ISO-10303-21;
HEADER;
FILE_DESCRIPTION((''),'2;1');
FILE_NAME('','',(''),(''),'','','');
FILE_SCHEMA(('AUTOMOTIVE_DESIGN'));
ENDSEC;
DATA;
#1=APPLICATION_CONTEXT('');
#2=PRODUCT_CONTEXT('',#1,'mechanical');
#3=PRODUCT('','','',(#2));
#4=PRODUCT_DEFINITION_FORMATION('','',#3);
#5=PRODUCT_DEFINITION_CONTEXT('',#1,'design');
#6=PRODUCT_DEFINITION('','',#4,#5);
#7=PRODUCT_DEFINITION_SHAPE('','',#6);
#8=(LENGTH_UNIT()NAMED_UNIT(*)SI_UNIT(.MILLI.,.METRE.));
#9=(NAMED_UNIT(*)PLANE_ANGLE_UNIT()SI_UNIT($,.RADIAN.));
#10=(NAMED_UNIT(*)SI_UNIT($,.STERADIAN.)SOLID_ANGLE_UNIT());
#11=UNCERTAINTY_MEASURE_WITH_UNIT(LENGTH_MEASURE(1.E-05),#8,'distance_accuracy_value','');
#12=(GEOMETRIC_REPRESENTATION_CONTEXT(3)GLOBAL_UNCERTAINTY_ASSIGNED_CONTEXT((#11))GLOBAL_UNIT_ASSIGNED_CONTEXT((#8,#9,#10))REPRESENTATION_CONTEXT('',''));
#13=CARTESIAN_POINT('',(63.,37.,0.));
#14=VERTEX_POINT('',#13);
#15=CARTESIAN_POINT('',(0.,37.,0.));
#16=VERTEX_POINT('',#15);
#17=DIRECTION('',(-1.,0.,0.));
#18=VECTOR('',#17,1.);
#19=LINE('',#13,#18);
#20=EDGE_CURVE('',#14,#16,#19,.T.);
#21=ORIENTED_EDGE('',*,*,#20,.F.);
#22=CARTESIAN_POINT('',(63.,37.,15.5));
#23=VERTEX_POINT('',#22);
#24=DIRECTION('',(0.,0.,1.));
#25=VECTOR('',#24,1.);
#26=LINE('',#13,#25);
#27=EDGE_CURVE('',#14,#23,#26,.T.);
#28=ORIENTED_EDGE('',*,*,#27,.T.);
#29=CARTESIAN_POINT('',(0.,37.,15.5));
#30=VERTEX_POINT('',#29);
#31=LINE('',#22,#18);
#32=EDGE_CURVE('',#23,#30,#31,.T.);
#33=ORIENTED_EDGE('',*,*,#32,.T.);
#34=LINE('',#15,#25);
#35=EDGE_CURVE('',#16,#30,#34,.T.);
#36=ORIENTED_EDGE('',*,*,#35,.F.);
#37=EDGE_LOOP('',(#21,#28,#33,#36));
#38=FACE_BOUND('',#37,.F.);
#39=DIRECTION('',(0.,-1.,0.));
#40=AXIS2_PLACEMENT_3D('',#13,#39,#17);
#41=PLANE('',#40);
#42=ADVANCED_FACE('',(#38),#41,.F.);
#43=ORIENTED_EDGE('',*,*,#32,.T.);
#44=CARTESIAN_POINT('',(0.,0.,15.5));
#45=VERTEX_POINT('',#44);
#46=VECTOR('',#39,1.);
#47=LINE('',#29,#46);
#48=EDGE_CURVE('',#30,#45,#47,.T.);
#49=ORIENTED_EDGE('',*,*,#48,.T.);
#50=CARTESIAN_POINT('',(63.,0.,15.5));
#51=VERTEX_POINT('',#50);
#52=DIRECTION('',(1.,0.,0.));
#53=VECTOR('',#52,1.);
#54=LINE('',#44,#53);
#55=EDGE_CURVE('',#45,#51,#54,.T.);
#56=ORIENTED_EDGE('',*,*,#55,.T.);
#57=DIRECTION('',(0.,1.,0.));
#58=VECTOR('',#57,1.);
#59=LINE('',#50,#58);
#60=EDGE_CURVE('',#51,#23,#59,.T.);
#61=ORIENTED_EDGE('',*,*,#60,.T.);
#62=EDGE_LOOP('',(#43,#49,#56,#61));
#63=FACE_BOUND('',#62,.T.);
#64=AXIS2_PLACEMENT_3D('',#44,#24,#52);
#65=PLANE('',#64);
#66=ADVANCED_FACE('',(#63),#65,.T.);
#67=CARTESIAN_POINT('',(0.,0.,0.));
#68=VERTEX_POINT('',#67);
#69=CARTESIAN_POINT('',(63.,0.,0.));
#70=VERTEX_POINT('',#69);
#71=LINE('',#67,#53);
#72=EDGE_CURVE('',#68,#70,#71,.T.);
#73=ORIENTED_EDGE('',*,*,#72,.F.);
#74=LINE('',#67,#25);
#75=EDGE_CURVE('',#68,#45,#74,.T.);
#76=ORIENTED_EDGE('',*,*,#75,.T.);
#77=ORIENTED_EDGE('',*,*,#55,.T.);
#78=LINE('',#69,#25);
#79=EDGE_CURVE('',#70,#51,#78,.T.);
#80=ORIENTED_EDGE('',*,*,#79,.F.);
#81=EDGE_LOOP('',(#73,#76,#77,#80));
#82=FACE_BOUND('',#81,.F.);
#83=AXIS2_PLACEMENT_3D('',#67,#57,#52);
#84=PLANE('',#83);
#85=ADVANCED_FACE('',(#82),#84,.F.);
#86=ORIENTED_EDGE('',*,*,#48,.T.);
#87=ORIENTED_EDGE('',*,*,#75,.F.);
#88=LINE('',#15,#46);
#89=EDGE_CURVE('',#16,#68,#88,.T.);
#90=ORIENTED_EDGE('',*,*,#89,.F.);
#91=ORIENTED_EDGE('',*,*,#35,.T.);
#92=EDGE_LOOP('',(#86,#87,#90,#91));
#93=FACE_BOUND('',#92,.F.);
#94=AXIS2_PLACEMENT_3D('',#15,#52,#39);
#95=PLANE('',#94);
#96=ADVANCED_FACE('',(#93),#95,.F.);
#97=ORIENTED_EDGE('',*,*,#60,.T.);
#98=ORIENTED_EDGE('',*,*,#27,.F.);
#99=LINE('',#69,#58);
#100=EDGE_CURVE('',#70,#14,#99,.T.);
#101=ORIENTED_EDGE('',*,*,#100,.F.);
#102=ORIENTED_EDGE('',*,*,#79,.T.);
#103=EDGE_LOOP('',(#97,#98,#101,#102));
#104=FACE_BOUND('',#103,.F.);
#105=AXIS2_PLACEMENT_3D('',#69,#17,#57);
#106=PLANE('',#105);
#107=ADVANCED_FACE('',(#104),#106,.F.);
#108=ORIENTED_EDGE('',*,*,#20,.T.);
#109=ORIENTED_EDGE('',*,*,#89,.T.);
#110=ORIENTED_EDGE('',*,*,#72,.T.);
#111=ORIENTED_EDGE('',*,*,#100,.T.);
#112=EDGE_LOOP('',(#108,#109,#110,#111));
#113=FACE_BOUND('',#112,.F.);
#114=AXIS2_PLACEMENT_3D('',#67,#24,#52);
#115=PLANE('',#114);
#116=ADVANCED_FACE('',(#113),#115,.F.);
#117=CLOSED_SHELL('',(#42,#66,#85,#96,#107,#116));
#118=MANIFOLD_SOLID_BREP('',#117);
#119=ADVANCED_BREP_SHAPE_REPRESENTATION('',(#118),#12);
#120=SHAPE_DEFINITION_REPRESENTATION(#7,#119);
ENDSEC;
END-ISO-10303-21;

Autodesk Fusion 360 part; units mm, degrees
sketch "Esquisse1" plane through (0, 0, 0) normal (0, 0, 1) x (1, 0, 0)
  line L0 (0, 0) -> (63, 0)
  line L1 (63, 0) -> (63, 37)
  line L2 (63, 37) -> (0, 37)
  line L3 (0, 37) -> (0, 0)
  dimension "d1" = 63
  dimension "d2" = 37
extrude "Extrusion1" add sketch "Esquisse1" along normal blind 15.5
